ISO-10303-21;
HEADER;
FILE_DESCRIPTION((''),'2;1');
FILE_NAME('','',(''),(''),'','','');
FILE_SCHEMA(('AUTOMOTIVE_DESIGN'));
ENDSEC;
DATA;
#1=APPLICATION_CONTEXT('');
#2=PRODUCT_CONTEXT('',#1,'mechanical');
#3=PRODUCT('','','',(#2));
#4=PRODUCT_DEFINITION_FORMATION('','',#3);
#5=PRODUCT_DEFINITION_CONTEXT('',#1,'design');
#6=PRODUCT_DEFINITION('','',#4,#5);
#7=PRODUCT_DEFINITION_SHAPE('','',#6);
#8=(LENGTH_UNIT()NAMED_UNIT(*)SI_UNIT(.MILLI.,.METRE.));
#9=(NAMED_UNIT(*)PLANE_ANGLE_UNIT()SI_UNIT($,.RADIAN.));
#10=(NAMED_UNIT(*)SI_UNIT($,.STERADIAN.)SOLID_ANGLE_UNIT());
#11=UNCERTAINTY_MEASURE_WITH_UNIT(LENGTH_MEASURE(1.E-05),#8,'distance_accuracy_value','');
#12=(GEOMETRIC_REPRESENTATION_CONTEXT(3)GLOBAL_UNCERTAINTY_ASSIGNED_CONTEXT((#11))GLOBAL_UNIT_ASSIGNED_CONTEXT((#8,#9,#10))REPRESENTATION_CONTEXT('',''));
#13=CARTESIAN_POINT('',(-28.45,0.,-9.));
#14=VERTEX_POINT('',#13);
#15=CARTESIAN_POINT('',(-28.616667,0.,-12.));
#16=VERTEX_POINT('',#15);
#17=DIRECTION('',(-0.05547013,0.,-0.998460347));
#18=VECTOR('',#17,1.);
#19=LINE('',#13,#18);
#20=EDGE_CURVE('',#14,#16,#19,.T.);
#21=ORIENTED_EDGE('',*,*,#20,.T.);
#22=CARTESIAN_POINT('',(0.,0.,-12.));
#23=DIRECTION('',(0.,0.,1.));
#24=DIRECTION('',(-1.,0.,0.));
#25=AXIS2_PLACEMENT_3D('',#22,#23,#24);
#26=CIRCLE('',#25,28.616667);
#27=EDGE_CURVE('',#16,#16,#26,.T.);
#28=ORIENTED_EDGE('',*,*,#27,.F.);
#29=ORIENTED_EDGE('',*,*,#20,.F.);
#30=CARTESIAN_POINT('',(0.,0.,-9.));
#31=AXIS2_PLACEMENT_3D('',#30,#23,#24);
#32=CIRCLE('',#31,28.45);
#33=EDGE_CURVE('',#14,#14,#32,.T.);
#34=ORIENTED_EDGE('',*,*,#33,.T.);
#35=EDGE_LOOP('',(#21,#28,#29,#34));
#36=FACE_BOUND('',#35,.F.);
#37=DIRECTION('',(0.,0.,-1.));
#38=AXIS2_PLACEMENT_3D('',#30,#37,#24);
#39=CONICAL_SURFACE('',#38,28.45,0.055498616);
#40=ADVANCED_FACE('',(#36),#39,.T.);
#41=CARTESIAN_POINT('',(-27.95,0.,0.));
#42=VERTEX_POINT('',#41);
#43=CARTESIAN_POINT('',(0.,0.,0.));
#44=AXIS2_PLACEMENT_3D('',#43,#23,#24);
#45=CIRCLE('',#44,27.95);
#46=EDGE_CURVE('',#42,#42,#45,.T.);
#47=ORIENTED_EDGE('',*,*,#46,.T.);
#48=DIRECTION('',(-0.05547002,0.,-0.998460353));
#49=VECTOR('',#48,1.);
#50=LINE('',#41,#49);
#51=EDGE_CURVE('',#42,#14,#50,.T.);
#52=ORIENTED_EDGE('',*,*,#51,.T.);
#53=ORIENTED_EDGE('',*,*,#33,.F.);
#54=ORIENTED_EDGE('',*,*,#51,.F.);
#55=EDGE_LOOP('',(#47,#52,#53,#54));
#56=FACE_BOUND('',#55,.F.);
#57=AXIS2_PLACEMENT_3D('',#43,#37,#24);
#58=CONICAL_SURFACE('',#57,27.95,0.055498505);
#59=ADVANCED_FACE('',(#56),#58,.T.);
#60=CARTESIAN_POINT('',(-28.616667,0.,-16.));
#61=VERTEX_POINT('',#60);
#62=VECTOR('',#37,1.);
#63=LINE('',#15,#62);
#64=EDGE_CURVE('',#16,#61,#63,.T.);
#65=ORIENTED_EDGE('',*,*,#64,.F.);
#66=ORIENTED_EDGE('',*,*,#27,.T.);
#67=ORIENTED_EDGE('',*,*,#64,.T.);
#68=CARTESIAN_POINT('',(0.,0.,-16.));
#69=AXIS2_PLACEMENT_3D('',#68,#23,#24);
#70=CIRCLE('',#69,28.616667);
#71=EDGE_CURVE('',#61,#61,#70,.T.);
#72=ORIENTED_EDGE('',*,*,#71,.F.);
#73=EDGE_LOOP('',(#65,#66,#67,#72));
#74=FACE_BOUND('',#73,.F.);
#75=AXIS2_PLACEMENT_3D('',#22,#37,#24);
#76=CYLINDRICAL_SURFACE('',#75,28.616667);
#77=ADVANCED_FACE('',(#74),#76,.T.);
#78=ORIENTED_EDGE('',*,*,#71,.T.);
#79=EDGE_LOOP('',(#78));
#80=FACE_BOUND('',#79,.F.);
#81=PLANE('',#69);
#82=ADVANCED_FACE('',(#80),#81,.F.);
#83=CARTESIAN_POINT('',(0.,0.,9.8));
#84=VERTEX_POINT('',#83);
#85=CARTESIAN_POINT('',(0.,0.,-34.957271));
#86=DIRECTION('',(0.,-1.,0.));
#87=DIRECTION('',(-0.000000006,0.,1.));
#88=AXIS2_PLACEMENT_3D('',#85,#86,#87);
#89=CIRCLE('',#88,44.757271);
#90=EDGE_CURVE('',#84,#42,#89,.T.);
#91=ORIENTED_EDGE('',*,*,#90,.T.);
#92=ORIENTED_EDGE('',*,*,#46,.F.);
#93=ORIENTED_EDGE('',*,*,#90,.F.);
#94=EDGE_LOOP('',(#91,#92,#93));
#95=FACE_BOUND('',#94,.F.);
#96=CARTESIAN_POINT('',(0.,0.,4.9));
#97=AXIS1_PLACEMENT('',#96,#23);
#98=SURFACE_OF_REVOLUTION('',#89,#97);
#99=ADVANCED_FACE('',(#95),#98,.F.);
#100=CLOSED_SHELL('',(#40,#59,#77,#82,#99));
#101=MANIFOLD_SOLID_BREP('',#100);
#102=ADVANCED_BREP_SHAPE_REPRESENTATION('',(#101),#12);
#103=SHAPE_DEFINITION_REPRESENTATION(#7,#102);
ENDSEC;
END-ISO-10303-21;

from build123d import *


with BuildPart() as f1:
    # F0 (on Front) → F1 (revolve)
    with BuildSketch(Plane.XZ):
        with BuildLine():
            Line((0, -9), (0, 0))
            Line((0, 0), (0, 9.8))
            ThreePointArc((0, 9.8), (-14.80914, 7.279001), (-27.95, 0))
            Line((-27.95, 0), (-28.45, -9))
            Line((-28.45, -9), (-28.616667, -12))
            Line((-28.616667, -12), (-28.616667, -16))
            Line((-28.616667, -16), (0, -16))
            Line((0, -16), (0, -12))
            Line((0, -12), (0, -9))
        make_face()
    revolve(axis=Axis((0, 0, 4.9), (0, 0, 1)))


solid = f1.part
